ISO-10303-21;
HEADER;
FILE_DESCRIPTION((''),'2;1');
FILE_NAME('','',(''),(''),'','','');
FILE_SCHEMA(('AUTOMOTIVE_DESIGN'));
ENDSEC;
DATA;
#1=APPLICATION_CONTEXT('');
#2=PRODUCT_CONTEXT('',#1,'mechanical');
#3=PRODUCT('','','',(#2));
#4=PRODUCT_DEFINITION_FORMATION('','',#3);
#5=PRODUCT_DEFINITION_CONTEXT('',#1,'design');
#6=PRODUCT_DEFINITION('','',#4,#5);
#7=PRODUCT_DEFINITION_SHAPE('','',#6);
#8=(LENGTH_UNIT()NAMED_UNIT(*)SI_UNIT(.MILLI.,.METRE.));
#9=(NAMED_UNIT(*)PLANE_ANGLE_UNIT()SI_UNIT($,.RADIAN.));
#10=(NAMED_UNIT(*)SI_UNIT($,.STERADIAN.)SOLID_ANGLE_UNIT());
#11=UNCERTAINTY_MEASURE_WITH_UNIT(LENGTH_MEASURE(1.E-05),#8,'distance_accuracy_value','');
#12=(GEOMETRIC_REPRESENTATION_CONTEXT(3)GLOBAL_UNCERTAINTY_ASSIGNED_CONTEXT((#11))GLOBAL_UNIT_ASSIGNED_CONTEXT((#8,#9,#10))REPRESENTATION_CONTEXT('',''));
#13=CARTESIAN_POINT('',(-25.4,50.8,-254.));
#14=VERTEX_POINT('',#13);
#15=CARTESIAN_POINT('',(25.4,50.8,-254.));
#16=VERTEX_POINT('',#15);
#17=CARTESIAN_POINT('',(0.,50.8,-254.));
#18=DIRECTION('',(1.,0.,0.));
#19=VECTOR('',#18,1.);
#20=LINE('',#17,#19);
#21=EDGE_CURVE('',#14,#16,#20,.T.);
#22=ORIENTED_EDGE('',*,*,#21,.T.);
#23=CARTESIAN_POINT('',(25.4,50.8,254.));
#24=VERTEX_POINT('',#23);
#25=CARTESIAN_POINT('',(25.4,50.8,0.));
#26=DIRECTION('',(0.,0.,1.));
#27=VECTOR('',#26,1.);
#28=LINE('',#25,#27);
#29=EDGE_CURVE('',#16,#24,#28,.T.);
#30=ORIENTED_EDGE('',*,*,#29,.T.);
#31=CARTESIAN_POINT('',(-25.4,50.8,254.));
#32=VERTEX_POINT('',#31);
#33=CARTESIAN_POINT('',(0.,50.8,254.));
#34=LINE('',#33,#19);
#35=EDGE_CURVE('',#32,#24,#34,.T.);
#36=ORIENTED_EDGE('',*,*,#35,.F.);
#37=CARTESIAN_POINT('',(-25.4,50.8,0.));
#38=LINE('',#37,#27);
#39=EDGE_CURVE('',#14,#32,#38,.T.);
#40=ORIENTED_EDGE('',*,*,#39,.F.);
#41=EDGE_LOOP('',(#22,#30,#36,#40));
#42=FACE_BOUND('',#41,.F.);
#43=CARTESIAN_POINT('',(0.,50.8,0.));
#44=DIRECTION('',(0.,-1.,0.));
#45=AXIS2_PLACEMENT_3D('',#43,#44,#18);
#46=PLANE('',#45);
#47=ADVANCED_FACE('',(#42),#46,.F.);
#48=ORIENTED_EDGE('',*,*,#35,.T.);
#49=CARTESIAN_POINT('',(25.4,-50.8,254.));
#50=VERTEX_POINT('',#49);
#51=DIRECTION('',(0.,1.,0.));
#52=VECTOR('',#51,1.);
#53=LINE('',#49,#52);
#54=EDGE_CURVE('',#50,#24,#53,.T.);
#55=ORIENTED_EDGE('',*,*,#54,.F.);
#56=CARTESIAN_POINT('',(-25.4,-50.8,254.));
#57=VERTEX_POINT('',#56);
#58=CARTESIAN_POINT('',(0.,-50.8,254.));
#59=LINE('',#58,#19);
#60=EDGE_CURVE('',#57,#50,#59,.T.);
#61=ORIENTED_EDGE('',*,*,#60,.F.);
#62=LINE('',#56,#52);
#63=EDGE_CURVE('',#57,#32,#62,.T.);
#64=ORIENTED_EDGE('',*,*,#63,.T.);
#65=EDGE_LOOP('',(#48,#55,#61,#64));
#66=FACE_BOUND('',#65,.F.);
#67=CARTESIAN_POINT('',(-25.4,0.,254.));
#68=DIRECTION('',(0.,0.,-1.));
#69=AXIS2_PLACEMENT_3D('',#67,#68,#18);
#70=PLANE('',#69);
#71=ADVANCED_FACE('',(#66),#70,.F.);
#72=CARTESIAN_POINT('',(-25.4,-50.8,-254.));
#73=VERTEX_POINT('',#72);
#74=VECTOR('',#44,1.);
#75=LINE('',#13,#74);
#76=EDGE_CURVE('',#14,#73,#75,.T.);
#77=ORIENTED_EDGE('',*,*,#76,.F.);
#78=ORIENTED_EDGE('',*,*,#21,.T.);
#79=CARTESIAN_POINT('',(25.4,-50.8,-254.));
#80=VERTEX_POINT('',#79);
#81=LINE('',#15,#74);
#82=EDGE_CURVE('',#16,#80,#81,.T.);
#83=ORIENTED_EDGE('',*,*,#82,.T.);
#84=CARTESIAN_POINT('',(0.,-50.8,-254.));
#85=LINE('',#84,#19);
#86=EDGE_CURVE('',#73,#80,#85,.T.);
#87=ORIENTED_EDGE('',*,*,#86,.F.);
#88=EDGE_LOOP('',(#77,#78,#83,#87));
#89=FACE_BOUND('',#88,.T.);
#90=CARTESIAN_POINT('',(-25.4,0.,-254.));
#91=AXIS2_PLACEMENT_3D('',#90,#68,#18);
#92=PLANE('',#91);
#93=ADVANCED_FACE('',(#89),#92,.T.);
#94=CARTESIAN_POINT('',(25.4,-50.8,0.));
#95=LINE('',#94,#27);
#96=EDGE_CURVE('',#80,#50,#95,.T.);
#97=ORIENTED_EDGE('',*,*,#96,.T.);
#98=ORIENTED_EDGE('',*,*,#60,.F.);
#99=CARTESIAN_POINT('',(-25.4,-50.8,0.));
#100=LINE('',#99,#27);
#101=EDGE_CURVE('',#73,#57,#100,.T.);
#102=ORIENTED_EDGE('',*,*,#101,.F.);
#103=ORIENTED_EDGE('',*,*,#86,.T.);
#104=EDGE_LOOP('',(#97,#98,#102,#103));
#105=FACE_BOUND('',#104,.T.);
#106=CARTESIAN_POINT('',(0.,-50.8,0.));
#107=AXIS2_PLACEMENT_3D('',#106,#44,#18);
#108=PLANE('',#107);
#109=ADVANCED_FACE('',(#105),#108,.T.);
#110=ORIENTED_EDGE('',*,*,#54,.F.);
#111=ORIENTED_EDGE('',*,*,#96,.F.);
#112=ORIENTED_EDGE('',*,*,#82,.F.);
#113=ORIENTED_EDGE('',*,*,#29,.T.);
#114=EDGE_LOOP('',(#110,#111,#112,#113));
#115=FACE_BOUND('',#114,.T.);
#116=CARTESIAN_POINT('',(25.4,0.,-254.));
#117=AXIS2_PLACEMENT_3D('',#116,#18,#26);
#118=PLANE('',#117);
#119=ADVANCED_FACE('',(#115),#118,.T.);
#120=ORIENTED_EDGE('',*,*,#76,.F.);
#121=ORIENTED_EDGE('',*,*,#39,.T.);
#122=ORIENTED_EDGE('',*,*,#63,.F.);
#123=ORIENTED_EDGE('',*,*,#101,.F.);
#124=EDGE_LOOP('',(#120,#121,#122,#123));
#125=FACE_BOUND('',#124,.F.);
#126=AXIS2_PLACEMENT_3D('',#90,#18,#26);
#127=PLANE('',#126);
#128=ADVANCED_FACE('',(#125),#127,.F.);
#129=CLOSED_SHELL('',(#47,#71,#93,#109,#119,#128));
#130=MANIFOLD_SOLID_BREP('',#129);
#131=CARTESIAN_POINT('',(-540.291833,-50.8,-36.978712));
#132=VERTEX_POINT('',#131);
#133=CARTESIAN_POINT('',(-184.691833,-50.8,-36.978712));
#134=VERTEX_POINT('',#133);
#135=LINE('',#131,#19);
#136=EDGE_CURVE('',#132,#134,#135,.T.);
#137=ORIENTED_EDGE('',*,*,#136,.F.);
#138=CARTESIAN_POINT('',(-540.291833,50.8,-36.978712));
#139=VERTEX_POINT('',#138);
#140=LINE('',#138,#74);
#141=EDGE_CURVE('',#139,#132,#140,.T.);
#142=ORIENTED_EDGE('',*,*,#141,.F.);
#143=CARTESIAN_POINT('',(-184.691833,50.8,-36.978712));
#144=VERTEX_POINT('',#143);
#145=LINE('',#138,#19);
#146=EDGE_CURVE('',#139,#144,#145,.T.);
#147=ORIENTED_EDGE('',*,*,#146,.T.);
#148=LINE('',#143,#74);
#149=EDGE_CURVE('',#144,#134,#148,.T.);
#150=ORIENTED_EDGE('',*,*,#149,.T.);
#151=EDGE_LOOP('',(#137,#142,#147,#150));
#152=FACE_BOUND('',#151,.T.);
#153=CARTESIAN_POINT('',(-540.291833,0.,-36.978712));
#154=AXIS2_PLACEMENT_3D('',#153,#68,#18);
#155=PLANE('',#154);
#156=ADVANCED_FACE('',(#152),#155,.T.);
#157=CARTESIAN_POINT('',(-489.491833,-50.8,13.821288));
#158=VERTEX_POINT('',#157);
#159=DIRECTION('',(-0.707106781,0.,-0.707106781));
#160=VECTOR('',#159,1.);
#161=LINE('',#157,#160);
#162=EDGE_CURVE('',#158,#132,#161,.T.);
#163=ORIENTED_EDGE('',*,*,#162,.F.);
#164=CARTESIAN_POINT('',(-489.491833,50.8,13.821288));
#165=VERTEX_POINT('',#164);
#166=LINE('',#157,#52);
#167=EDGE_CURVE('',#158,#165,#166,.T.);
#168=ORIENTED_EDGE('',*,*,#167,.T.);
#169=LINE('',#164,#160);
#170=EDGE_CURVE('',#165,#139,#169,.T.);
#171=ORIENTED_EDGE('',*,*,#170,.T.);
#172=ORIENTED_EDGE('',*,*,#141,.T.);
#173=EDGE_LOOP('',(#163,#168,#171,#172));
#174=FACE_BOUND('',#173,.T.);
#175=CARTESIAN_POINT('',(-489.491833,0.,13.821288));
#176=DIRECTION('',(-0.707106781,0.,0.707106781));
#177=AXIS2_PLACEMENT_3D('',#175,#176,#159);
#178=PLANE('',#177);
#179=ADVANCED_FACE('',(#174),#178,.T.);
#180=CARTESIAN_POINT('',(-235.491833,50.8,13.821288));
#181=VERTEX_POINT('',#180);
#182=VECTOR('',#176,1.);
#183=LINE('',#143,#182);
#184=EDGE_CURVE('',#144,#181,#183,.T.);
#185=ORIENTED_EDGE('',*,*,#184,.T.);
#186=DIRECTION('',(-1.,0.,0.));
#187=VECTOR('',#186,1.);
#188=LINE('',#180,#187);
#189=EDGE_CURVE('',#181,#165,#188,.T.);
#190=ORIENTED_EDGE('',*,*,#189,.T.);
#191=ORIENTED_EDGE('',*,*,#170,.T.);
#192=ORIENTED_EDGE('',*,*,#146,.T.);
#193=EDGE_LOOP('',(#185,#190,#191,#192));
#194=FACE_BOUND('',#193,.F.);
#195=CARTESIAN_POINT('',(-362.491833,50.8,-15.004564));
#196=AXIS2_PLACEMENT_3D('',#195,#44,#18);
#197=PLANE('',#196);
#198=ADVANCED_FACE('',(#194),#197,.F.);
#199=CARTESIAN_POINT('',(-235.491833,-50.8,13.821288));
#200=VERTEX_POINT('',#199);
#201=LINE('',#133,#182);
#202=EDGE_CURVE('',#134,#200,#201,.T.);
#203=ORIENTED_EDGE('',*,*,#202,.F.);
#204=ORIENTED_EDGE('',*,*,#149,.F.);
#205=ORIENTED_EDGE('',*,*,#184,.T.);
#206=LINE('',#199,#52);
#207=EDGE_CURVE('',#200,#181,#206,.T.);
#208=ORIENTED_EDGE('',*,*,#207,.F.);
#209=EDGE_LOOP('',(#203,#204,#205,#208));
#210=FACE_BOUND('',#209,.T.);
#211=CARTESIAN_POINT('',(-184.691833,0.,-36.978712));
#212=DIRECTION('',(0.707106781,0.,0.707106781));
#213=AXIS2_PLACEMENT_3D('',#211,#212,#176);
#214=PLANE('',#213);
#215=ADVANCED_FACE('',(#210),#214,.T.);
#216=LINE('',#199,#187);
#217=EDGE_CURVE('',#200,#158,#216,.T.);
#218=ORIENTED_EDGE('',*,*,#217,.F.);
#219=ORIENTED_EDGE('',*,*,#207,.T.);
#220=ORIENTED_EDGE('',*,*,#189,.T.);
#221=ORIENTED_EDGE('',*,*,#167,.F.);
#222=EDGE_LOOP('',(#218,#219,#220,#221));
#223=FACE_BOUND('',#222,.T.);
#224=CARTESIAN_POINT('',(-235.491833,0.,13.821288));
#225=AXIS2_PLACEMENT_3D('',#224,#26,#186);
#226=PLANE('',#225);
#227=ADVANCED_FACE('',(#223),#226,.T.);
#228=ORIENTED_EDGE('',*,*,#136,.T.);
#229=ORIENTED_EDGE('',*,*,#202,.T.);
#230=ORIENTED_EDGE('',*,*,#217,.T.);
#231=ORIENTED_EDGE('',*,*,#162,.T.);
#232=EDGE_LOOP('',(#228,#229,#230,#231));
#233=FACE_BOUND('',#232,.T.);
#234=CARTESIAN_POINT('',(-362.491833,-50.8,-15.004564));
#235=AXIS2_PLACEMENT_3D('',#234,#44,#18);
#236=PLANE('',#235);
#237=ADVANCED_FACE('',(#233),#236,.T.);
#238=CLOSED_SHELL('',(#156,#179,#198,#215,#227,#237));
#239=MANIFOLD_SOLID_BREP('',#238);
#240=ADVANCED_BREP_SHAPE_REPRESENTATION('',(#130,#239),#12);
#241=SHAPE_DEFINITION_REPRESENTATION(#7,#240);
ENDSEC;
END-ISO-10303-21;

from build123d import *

# Parameters (mm, degrees)
F2_DEPTH = 50.8
F0_W     = 50.8
F0_H     = 508
F3_DEPTH = 50.8


with BuildPart() as f2:
    # F1 (on Front) → F2 (new body, symmetric)
    with BuildSketch(Plane.XZ):
        Polygon((-489.491833, 13.821288), (-540.291833, -36.978712), (-184.691833, -36.978712), (-235.491833, 13.821288), align=None)
    extrude(amount=F2_DEPTH, both=True)


with BuildPart() as f3:
    # F0 (on Front) → F3 (new body, symmetric)
    with BuildSketch(Plane.XZ):
        Rectangle(F0_W, F0_H)
    extrude(amount=F3_DEPTH, both=True)


solid = Compound([f2.part, f3.part])
